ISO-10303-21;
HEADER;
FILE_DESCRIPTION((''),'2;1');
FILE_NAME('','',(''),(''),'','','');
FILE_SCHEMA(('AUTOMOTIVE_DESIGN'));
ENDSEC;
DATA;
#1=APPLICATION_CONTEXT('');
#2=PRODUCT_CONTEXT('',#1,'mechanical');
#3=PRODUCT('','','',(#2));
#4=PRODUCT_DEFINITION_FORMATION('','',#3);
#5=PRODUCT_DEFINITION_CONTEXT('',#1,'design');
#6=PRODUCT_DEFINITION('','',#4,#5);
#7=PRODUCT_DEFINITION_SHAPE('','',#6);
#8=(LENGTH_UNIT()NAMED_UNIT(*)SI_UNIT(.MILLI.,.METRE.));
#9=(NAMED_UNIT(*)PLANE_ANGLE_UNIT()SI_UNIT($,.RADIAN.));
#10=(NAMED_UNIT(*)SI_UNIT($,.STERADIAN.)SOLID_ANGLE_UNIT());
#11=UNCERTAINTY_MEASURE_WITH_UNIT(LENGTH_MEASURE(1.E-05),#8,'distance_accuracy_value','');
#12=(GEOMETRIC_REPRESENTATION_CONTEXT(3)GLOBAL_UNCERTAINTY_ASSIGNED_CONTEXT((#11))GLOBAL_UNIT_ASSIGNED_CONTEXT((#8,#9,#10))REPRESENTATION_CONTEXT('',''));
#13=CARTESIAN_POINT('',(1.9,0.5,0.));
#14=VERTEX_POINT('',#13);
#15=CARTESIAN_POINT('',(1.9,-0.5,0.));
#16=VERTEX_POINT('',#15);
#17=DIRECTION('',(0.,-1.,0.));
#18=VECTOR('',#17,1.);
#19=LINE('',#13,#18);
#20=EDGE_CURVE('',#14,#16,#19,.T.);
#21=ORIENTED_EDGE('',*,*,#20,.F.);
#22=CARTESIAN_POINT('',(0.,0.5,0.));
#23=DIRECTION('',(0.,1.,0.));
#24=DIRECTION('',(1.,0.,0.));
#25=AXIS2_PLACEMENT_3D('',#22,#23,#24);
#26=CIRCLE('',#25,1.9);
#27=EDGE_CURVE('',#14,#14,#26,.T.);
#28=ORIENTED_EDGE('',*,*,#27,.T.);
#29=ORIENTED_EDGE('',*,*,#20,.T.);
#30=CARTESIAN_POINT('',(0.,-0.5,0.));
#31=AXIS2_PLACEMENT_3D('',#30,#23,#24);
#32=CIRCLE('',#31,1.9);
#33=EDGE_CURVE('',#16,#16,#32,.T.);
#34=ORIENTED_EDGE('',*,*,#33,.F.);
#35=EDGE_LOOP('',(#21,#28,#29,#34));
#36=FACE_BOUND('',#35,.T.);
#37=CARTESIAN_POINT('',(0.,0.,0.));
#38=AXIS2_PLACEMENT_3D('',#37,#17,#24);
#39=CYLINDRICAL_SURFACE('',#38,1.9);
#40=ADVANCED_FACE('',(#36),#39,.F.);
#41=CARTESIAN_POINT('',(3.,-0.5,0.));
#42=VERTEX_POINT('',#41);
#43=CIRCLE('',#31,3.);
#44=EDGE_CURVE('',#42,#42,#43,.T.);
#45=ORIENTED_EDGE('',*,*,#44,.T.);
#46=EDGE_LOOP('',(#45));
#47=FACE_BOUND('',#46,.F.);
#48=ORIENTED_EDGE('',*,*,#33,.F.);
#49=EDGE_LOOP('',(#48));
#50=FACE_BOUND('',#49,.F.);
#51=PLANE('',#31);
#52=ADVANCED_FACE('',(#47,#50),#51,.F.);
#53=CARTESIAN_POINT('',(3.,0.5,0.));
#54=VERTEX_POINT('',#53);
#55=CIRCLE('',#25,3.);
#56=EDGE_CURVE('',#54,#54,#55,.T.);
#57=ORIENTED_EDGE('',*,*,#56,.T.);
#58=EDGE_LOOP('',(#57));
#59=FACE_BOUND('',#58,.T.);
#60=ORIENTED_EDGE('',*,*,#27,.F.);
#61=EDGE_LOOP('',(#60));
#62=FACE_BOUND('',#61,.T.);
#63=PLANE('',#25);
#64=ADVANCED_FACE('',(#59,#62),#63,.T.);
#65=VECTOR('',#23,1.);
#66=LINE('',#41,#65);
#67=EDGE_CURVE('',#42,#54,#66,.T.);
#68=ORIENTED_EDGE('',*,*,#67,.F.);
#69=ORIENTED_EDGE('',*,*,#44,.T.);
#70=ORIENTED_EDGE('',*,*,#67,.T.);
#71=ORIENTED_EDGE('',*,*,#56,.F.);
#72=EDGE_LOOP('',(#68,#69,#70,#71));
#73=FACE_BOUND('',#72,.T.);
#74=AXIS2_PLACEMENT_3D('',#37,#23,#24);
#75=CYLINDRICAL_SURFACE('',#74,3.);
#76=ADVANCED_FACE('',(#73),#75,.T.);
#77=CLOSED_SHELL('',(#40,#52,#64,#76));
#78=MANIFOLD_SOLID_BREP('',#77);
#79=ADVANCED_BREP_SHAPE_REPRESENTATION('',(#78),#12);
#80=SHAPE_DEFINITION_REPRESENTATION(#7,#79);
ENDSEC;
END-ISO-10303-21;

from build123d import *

# Parameters (mm, degrees)
SKETCH1_R           = 3
SKETCH1_R_2         = 1.9
BOSS_EXTRUDE1_DEPTH = 0.5


with BuildPart() as part:
    # Sketch1 → Boss-Extrude1 (new body, symmetric)
    with BuildSketch(Plane(origin=(0, 0, 0), x_dir=(1, 0, 0), z_dir=(0, 1, 0))):
        Circle(SKETCH1_R)
        Circle(SKETCH1_R_2, mode=Mode.SUBTRACT)
    extrude(amount=BOSS_EXTRUDE1_DEPTH, both=True)


solid = part.part
